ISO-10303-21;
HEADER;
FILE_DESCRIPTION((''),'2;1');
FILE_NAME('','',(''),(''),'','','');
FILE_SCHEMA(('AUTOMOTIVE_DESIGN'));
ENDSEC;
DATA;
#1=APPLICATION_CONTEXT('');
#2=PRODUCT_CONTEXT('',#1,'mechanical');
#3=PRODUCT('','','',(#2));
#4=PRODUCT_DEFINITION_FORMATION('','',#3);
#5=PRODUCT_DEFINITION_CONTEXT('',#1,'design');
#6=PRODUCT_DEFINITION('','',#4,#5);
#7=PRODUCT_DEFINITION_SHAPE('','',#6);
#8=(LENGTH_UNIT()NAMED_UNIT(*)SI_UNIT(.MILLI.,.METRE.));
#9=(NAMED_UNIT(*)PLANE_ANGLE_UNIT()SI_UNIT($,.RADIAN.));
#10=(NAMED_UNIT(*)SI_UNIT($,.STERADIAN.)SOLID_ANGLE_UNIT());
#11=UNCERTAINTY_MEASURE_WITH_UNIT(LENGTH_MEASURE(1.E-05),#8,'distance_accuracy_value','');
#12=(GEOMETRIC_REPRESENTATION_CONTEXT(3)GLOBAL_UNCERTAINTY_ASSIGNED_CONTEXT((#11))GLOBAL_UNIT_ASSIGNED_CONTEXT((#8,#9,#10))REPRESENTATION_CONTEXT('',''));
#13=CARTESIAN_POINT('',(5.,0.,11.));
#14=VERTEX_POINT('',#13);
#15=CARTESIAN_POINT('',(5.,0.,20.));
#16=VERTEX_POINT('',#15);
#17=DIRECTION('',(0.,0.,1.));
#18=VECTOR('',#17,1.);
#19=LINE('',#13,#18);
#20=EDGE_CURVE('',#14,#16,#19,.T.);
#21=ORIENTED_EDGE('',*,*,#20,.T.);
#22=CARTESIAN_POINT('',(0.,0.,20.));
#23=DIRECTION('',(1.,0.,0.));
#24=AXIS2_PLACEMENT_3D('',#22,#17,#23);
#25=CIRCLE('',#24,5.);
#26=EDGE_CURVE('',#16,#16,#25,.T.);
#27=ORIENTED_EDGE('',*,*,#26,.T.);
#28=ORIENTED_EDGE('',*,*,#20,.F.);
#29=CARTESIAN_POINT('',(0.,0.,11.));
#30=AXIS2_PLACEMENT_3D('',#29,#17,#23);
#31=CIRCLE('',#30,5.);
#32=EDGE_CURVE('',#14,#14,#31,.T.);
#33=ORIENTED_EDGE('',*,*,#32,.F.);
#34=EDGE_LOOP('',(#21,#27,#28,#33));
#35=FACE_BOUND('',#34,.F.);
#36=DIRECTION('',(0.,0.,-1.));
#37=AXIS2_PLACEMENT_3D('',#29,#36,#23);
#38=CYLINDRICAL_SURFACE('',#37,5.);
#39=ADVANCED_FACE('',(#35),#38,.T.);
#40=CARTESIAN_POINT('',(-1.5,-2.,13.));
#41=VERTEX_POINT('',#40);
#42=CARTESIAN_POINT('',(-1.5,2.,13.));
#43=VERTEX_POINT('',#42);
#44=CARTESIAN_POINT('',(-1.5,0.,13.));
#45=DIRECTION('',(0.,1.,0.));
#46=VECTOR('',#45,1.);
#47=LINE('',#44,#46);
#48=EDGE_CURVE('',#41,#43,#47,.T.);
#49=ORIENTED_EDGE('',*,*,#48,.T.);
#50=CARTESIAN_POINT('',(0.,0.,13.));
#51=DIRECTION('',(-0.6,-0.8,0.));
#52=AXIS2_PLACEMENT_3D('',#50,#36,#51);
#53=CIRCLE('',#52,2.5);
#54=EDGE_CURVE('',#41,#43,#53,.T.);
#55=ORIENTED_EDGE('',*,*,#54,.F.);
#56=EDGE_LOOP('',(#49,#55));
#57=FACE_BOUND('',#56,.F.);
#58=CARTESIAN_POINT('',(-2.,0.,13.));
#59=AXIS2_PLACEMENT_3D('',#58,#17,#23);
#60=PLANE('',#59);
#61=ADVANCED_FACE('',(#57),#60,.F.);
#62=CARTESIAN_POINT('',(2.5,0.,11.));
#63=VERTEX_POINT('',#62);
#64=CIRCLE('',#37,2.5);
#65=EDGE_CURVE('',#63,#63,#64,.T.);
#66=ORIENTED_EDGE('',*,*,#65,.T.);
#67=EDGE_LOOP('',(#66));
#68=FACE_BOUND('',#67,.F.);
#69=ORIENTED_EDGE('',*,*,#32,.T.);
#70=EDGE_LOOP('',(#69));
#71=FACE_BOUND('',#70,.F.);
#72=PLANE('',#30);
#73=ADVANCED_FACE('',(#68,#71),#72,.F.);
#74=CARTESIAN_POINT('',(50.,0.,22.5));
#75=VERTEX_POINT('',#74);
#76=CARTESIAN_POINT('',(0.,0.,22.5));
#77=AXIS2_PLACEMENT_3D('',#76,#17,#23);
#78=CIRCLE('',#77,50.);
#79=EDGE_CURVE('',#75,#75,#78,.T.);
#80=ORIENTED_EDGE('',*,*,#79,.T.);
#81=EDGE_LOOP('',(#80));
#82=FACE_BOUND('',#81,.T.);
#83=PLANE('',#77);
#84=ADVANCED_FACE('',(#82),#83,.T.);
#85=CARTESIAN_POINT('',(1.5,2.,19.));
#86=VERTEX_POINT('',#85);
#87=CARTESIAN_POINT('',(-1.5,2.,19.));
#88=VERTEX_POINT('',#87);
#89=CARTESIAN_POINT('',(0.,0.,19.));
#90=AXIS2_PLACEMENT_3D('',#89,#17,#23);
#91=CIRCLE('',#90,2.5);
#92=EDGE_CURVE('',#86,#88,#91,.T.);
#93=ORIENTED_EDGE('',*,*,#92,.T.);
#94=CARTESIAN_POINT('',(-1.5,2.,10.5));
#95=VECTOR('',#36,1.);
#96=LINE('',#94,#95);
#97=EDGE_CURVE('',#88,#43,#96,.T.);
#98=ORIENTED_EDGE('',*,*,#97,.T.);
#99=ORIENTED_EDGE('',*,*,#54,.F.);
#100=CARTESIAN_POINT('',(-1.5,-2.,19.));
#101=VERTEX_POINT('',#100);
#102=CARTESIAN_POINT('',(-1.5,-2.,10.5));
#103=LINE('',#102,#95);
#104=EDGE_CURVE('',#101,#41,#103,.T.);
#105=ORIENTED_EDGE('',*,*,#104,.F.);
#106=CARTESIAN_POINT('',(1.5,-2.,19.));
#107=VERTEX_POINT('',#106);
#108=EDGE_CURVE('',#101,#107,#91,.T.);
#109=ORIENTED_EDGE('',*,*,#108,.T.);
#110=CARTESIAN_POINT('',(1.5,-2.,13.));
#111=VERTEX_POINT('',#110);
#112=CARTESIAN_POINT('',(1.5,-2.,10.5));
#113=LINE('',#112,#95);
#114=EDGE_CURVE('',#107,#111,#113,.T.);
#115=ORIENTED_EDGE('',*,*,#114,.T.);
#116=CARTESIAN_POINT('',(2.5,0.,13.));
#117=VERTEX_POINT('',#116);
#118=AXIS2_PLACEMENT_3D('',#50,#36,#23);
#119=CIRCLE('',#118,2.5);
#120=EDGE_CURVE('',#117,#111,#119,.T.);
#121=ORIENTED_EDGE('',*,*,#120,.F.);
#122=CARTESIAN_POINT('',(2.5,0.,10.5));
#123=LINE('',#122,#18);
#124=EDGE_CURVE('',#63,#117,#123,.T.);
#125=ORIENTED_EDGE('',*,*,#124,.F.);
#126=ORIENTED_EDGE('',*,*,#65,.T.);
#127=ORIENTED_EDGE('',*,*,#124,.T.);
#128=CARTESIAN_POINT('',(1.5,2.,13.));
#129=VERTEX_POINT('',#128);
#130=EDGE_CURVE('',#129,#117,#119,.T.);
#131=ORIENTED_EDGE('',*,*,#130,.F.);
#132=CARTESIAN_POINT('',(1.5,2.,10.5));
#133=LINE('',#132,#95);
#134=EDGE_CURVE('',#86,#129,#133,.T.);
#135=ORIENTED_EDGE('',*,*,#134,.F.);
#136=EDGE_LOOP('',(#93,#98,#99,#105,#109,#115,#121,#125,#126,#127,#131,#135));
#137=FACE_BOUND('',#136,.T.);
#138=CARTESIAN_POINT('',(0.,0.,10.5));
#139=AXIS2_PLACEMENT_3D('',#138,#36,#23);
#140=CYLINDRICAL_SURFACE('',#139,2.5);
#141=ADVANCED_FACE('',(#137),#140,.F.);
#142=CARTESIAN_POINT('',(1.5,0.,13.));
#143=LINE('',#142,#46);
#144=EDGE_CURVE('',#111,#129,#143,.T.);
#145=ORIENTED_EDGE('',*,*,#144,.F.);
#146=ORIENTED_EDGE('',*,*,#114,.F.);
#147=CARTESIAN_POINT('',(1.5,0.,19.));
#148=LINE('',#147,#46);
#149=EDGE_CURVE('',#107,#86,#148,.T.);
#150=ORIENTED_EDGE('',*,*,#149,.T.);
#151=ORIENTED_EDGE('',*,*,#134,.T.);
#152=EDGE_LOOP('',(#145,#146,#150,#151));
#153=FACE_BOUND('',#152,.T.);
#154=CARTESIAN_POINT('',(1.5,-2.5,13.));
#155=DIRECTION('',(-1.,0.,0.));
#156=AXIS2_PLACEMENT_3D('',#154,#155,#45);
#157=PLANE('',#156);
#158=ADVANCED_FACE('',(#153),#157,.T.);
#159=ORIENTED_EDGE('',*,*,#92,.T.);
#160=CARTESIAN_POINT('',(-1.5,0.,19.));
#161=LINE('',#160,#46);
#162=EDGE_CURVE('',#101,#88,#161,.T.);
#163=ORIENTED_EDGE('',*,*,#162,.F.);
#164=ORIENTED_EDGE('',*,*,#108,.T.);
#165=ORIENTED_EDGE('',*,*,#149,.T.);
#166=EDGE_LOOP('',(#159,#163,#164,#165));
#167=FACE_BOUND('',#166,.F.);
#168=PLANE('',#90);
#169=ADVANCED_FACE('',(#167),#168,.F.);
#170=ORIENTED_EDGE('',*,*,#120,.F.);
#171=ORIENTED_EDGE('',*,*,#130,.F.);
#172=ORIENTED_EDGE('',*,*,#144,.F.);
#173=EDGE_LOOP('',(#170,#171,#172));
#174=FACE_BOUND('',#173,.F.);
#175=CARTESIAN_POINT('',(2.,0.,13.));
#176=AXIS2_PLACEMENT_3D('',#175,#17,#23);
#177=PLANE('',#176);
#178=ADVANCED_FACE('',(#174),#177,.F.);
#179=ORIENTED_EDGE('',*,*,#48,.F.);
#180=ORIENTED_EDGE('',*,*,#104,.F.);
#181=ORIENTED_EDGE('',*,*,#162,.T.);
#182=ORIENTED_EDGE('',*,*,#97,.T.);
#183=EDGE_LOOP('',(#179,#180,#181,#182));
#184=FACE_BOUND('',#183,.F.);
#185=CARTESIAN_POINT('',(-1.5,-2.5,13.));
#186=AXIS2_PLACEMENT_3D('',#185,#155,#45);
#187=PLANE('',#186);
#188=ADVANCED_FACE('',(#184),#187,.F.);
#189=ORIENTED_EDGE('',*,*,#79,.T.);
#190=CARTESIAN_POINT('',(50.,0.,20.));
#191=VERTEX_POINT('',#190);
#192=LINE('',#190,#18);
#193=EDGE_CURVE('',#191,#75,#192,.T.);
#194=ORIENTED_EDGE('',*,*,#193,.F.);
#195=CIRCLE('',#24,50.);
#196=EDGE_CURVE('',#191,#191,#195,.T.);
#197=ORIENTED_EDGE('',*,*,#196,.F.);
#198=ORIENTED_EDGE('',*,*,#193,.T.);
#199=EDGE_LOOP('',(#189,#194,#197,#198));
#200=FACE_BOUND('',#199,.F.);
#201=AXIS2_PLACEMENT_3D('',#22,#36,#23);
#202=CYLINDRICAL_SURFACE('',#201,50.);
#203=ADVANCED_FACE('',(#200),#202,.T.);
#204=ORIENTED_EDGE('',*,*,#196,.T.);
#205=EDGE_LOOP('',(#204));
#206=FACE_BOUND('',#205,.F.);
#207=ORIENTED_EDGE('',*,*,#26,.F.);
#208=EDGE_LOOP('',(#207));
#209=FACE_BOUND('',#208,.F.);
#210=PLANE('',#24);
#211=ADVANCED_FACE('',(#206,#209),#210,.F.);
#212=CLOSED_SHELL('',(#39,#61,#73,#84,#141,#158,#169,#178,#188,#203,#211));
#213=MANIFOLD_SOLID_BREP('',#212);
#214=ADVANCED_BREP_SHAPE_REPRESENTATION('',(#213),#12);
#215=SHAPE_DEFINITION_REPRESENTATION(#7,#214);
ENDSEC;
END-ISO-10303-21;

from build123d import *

# Parameters (mm, degrees)
BOX012_W          = 17
BOX012_H          = 14.6
BOX012_DEPTH      = 16.5
CYLINDER025_R     = 2.1
CYLINDER025_DEPTH = 2
CYLINDER024_R     = 2.1
CYLINDER024_DEPTH = 2
CYLINDER027_R     = 3.5
CYLINDER027_DEPTH = 0.75
BOX011_W          = 7
BOX011_H          = 35
BOX011_DEPTH      = 0.75
CYLINDER026_R     = 3.5
CYLINDER026_DEPTH = 0.75
CYLINDER022_R     = 4.5
CYLINDER022_DEPTH = 1.5
CYLINDER021_R     = 14
CYLINDER021_DEPTH = 19
BOX014_W          = 1
BOX014_H          = 5
BOX014_DEPTH      = 6
BOX013_W          = 1
BOX013_H          = 5
BOX013_DEPTH      = 6
CYLINDER023_R     = 2.5
CYLINDER023_DEPTH = 8.5
CYLINDER020_R     = 5
CYLINDER020_DEPTH = 9
CYLINDER019_R     = 50
CYLINDER019_DEPTH = 2.5


with BuildPart() as cube012:
    # Box012 → Box012 (new body)
    with BuildSketch(Plane(origin=(0, -7.3, 2.5), x_dir=(1, 0, 0), z_dir=(0, 0, 1))):
        with Locations((8.5, 7.3)):
            Rectangle(BOX012_W, BOX012_H)
    extrude(amount=BOX012_DEPTH)


with BuildPart() as cylinder025:
    # Cylinder025 → Cylinder025 (new body)
    with BuildSketch(Plane(origin=(0, 17.5, 18), x_dir=(1, 0, 0), z_dir=(0, 0, 1))):
        Circle(CYLINDER025_R)
    extrude(amount=CYLINDER025_DEPTH)


with BuildPart() as cylinder024:
    # Cylinder024 → Cylinder024 (new body)
    with BuildSketch(Plane(origin=(0, -17.5, 18), x_dir=(1, 0, 0), z_dir=(0, 0, 1))):
        Circle(CYLINDER024_R)
    extrude(amount=CYLINDER024_DEPTH)


with BuildPart() as cylinder027:
    # Cylinder027 → Cylinder027 (new body)
    with BuildSketch(Plane(origin=(0, 17.5, 18), x_dir=(1, 0, 0), z_dir=(0, 0, 1))):
        Circle(CYLINDER027_R)
    extrude(amount=CYLINDER027_DEPTH)


with BuildPart() as cube011:
    # Box011 → Box011 (new body)
    with BuildSketch(Plane(origin=(-3.5, -17.5, 18), x_dir=(1, 0, 0), z_dir=(0, 0, 1))):
        with Locations((3.5, 17.5)):
            Rectangle(BOX011_W, BOX011_H)
    extrude(amount=BOX011_DEPTH)


with BuildPart() as cut010:
    # Cylinder026 → Cylinder026 (new body)
    with BuildSketch(Plane(origin=(0, -17.5, 18), x_dir=(1, 0, 0), z_dir=(0, 0, 1))):
        Circle(CYLINDER026_R)
    extrude(amount=CYLINDER026_DEPTH)

    # Fusion005: union Cylinder027, Cube011
    add(cylinder027.part)
    add(cube011.part)


with BuildPart() as cut010_1:
    # Fusion005 placement: moved
    add(cut010.part.moved(Location((0, 0, 0.25))))

    # Cut009: cut Cylinder024
    add(cylinder024.part, mode=Mode.SUBTRACT)

    # Cut010: cut Cylinder025
    add(cylinder025.part, mode=Mode.SUBTRACT)


with BuildPart() as cylinder022:
    # Cylinder022 → Cylinder022 (new body)
    with BuildSketch(Plane(origin=(-8, 0, 19), x_dir=(1, 0, 0), z_dir=(0, 0, 1))):
        Circle(CYLINDER022_R)
    extrude(amount=CYLINDER022_DEPTH)


with BuildPart() as cylinder021:
    # Cylinder021 → Cylinder021 (new body)
    with BuildSketch(Plane.XY):
        Circle(CYLINDER021_R)
    extrude(amount=CYLINDER021_DEPTH)


with BuildPart() as cube014:
    # Box014 → Box014 (new body)
    with BuildSketch(Plane(origin=(-10.5, -2.5, 23), x_dir=(1, 0, 0), z_dir=(0, 0, 1))):
        with Locations((0.5, 2.5)):
            Rectangle(BOX014_W, BOX014_H)
    extrude(amount=BOX014_DEPTH)


with BuildPart() as cube013:
    # Box013 → Box013 (new body)
    with BuildSketch(Plane(origin=(-6.5, -2.5, 23), x_dir=(1, 0, 0), z_dir=(0, 0, 1))):
        with Locations((0.5, 2.5)):
            Rectangle(BOX013_W, BOX013_H)
    extrude(amount=BOX013_DEPTH)


with BuildPart() as fusion006:
    # Cylinder023 → Cylinder023 (new body)
    with BuildSketch(Plane(origin=(-8, 0, 20.5), x_dir=(1, 0, 0), z_dir=(0, 0, 1))):
        Circle(CYLINDER023_R)
    extrude(amount=CYLINDER023_DEPTH)

    # Cut011: cut Cube013
    add(cube013.part, mode=Mode.SUBTRACT)

    # Cut012: cut Cube014
    add(cube014.part, mode=Mode.SUBTRACT)

    # Fusion006: union Cube012, Cut010, Cylinder022, Cylinder021
    add(cube012.part)
    add(cut010_1.part)
    add(cylinder022.part)
    add(cylinder021.part)


with BuildPart() as fusion006_1:
    # Fusion006 placement: moved
    add(fusion006.part.moved(Location((8, 0, -10))))


with BuildPart() as cut013:
    # Cylinder020 → Cylinder020 (new body)
    with BuildSketch(Plane.XY.offset(11)):
        Circle(CYLINDER020_R)
    extrude(amount=CYLINDER020_DEPTH)

    # Cut013: cut Fusion006
    add(fusion006_1.part, mode=Mode.SUBTRACT)


with BuildPart() as bottom_plate:
    # Cylinder019 → Cylinder019 (new body)
    with BuildSketch(Plane.XY.offset(20)):
        Circle(CYLINDER019_R)
    extrude(amount=CYLINDER019_DEPTH)

    # Fusion007: union Cut013
    add(cut013.part)


solid = bottom_plate.part
